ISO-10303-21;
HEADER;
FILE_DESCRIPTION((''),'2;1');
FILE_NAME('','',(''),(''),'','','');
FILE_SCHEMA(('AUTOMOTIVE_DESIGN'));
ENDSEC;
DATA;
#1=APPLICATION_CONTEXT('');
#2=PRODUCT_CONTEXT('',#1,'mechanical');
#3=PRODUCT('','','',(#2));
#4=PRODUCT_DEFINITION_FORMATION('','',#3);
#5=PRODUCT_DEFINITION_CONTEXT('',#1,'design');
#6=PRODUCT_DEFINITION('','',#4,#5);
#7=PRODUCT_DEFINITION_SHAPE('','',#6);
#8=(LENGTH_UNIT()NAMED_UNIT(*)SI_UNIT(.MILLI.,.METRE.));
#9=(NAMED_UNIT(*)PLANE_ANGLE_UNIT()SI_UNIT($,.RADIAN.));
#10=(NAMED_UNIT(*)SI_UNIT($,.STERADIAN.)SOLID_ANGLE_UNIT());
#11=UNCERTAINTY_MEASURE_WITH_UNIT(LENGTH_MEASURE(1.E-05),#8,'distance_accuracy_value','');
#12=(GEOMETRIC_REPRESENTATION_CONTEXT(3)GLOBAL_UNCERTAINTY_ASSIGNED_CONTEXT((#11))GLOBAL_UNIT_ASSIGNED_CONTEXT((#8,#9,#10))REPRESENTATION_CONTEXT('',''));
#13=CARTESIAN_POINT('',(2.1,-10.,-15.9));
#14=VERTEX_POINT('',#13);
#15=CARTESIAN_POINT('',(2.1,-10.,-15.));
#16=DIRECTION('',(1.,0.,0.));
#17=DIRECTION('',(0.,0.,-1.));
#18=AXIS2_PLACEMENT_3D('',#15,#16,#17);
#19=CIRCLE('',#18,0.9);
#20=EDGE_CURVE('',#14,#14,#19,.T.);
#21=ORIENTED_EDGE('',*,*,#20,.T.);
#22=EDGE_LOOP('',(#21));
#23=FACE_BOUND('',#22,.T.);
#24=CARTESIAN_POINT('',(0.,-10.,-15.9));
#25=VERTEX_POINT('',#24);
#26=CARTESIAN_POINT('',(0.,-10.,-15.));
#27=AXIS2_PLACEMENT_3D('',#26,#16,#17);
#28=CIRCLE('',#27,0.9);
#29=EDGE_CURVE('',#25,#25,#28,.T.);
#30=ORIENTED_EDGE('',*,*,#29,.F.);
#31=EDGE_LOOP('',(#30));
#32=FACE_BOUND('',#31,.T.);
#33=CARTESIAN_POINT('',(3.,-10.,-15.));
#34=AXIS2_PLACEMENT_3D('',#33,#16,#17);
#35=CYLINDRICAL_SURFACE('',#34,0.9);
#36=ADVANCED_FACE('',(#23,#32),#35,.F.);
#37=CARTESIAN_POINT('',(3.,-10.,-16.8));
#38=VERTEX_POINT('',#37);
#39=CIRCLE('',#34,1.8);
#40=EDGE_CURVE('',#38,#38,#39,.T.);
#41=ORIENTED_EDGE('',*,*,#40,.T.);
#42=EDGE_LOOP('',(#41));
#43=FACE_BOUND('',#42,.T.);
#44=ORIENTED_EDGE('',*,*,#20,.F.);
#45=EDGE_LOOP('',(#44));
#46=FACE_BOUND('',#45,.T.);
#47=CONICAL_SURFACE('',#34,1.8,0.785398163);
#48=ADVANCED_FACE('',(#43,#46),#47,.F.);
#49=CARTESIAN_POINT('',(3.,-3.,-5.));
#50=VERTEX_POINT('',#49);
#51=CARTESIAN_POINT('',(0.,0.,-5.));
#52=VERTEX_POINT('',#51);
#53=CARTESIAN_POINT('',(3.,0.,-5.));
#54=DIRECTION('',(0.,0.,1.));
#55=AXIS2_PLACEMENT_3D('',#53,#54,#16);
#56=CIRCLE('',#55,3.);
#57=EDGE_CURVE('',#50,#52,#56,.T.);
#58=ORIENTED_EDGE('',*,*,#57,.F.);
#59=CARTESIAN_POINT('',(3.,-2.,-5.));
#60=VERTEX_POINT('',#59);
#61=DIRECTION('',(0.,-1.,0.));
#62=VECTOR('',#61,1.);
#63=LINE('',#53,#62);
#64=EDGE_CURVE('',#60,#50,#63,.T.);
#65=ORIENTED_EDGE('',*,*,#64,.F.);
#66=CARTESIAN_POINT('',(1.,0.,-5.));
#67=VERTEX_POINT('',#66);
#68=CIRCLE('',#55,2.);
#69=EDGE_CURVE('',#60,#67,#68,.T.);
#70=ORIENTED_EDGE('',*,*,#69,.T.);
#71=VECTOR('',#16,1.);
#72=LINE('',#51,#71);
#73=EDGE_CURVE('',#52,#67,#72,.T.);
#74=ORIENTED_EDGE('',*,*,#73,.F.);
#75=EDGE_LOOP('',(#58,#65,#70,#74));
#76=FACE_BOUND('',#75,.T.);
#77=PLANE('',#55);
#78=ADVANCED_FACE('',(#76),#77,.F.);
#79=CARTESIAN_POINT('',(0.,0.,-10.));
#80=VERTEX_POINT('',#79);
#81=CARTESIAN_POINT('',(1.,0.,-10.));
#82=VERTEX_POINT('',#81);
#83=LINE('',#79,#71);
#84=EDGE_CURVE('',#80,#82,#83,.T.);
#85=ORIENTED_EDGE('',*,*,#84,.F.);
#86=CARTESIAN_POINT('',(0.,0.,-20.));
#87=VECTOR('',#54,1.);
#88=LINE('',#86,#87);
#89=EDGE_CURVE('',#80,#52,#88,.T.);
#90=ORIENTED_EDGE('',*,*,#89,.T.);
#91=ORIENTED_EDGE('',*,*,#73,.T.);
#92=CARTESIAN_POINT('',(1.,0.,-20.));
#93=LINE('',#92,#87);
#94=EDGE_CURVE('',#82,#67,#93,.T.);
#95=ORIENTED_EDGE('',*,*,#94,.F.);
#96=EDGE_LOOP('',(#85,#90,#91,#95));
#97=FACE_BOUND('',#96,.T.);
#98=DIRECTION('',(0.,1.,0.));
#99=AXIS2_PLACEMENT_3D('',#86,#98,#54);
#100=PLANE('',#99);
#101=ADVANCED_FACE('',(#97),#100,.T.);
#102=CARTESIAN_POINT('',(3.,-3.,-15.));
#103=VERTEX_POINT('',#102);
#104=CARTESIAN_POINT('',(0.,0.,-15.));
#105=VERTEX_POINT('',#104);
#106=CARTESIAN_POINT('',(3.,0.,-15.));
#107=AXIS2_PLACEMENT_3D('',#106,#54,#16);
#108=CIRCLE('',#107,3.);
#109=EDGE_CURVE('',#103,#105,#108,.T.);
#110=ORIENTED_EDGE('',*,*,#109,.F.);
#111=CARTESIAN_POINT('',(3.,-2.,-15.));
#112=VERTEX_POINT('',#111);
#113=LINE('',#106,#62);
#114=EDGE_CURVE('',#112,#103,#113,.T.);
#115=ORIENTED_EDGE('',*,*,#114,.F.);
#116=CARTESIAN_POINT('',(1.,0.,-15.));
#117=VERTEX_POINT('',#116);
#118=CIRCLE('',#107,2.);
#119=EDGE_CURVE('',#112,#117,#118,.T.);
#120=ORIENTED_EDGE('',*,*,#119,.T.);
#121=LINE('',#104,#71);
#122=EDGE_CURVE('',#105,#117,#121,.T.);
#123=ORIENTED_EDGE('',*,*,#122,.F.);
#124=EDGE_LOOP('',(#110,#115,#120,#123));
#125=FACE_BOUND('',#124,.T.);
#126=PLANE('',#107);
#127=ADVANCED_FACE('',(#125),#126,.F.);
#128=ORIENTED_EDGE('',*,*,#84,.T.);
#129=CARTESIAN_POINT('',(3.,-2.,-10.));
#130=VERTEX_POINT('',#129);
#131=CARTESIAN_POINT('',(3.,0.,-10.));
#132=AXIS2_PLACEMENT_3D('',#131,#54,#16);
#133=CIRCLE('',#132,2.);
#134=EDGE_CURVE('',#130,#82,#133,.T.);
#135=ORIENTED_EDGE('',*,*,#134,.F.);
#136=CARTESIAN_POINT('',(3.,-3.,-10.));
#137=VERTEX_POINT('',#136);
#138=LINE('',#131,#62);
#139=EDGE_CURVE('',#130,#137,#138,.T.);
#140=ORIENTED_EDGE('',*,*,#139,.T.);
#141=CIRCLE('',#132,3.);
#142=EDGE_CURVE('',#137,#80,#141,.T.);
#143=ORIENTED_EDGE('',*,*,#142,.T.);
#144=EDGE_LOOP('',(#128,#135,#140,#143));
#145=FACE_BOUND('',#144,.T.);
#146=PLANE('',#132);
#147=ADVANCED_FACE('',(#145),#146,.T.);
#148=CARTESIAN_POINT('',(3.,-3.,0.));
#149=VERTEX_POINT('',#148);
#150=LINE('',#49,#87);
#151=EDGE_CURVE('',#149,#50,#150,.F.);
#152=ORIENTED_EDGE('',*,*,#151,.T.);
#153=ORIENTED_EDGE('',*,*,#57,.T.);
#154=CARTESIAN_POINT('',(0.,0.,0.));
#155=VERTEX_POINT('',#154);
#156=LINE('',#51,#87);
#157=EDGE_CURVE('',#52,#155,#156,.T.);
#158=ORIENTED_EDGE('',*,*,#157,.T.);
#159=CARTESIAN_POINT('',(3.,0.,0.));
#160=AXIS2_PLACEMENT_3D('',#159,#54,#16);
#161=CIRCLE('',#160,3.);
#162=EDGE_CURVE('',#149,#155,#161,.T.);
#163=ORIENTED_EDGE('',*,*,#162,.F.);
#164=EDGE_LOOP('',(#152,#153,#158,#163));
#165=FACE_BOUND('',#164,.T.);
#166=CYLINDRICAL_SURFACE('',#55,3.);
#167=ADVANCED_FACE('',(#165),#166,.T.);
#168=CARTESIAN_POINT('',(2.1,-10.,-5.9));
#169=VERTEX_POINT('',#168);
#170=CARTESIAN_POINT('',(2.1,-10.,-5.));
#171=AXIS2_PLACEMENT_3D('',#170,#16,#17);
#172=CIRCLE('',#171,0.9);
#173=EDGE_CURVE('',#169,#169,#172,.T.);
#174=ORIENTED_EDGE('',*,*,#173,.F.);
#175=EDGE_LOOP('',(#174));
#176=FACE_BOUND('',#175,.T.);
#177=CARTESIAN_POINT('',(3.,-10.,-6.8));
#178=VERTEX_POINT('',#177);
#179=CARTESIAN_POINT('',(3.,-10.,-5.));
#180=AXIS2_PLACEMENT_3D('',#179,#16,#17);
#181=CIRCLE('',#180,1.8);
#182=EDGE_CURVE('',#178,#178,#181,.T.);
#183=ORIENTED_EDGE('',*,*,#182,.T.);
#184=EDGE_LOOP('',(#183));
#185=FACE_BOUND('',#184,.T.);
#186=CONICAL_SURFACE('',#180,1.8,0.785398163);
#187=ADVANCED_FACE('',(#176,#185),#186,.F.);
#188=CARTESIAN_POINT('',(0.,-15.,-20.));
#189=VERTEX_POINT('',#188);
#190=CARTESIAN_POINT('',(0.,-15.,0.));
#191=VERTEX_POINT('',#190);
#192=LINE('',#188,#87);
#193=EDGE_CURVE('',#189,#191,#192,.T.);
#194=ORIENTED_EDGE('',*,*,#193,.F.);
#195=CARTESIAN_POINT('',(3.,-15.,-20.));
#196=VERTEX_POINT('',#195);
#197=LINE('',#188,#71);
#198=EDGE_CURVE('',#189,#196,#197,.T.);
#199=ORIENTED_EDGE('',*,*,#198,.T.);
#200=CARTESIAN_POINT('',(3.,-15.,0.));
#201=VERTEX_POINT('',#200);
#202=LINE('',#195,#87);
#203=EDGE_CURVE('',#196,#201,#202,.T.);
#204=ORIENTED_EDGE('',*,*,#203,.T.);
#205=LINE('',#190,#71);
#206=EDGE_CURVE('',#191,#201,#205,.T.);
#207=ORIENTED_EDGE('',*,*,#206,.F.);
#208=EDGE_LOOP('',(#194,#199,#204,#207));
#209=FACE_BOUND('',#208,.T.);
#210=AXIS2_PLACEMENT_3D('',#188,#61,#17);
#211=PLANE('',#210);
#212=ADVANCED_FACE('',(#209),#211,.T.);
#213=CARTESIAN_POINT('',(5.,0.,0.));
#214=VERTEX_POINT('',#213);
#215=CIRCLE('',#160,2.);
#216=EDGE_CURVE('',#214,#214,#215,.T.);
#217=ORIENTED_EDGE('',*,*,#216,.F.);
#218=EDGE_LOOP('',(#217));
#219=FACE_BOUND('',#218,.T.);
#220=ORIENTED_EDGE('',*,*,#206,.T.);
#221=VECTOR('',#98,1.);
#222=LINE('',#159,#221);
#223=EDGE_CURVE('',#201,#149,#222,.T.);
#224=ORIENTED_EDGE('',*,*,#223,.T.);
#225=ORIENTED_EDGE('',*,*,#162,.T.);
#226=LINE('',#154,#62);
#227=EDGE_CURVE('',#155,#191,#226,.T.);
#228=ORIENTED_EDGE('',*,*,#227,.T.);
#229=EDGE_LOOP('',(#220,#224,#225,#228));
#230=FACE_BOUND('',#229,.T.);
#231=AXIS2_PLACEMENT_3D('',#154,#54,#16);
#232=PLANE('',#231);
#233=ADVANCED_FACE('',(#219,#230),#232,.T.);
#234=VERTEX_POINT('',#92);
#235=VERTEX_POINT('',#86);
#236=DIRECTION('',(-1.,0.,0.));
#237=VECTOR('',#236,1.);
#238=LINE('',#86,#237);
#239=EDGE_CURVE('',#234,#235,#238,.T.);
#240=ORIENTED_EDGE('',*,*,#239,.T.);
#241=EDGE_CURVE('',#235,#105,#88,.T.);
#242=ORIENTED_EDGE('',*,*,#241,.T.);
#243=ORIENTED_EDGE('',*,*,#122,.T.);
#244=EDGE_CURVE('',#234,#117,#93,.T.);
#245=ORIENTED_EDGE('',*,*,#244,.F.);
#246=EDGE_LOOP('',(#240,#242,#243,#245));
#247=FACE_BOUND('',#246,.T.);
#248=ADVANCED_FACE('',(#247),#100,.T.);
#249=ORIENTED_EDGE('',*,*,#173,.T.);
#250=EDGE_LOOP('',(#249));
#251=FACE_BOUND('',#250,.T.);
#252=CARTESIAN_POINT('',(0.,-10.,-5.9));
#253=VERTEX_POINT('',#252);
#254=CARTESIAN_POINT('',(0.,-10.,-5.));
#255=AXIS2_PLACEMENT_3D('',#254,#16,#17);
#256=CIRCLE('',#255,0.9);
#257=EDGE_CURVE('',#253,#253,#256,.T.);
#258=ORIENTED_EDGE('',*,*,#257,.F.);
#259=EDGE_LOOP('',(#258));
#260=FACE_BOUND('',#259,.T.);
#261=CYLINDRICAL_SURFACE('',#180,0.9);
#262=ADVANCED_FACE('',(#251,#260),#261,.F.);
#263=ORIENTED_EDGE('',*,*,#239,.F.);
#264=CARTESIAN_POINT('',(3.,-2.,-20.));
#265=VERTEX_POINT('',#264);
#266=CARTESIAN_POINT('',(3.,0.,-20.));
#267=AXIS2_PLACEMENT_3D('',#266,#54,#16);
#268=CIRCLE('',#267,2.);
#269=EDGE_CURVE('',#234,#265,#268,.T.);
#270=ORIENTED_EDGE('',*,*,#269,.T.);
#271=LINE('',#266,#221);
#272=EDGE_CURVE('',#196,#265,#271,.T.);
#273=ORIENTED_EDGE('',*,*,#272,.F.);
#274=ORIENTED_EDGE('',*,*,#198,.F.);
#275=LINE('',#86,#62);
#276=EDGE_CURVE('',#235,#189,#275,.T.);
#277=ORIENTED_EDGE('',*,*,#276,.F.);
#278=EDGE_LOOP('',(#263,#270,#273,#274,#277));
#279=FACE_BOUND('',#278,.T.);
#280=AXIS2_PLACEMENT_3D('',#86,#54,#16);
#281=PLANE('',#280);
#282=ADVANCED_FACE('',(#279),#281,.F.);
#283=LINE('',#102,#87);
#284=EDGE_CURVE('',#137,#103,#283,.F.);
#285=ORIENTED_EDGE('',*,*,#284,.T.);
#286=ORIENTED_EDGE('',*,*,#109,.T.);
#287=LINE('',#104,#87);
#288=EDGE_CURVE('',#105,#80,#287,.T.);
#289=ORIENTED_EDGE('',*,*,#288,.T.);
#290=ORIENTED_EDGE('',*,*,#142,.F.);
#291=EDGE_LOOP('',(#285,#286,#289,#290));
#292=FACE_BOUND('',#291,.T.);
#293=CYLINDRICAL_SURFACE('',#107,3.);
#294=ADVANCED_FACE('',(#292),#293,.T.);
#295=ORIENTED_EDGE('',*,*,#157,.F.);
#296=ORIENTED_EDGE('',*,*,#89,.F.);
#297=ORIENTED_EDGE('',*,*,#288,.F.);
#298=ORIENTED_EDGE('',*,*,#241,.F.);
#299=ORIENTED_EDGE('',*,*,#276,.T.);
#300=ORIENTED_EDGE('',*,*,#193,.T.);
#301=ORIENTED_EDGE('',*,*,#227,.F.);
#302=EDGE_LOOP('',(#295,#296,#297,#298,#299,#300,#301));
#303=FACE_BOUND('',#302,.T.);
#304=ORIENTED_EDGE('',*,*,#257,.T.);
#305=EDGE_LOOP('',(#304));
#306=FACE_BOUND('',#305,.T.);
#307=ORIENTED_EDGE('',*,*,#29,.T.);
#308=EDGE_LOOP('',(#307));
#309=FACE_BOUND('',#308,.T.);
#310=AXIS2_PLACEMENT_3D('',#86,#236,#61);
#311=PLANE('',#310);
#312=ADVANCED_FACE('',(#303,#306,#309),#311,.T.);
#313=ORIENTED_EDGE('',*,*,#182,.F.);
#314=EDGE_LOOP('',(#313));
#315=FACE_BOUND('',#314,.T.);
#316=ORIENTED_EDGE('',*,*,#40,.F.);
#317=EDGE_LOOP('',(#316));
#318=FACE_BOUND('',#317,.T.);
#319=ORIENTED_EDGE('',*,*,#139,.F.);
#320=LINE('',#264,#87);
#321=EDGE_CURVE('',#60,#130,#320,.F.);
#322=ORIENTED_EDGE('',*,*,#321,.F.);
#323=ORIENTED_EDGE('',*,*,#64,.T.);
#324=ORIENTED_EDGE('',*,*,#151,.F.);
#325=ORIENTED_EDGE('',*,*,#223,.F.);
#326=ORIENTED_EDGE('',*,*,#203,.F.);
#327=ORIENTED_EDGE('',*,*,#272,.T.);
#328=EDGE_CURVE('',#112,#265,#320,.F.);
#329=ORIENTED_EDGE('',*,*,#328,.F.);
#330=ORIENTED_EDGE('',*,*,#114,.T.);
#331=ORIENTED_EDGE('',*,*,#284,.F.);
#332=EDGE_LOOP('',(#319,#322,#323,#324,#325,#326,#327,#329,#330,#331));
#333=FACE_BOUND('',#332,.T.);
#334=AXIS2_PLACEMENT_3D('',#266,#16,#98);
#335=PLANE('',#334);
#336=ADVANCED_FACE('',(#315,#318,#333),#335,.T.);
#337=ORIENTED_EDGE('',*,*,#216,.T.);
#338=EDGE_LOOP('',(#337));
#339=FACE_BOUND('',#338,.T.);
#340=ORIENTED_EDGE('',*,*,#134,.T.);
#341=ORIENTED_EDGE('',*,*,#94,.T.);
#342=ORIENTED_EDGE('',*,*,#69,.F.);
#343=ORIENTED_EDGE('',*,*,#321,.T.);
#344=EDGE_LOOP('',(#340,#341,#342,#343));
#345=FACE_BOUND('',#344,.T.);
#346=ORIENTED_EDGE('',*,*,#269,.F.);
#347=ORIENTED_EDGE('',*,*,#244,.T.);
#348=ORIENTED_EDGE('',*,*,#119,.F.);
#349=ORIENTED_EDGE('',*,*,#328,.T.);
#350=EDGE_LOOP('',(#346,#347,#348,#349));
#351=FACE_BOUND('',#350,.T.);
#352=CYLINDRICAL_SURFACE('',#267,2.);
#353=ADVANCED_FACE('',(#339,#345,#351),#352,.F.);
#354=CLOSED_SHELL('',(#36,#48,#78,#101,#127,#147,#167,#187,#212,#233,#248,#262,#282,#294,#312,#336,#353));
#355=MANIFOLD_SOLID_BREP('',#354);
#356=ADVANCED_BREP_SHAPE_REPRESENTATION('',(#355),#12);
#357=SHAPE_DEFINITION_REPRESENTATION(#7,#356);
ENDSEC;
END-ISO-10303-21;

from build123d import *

# Parameters (mm, degrees)
SKETCH1_W                                            = 3
SKETCH1_H                                            = 15
BOSS_EXTRUDE1_DEPTH                                  = 20
SKETCH2_R                                            = 3
BOSS_EXTRUDE2_DEPTH                                  = 5
LPATTERN2_COUNT                                      = 2
LPATTERN2_PITCH                                      = 10
CUT_EXTRUDE1_DEPTH                                   = 26.709920264
CUT_EXTRUDE1_DEPTH_BACK                              = 26.709920264
SKETCH3_R                                            = 2
CSK_FOR_M1_6_COUNTERSUNK_FLAT_HEAD_SCREW_D           = 1.8
CSK_FOR_M1_6_COUNTERSUNK_FLAT_HEAD_SCREW_DEPTH       = 3
CSK_FOR_M1_6_COUNTERSUNK_FLAT_HEAD_SCREW_CSINK_D     = 3.6
CSK_FOR_M1_6_COUNTERSUNK_FLAT_HEAD_SCREW_CSINK_ANGLE = 90
CSK_FOR_M1_6_COUNTERSUNK_FLAT_HEAD_SCREW_TIP         = 0.540774557


with BuildPart() as part:
    # Sketch1 → Boss-Extrude1 (new body)
    with BuildSketch(Plane.XY):
        with Locations((1.5, -7.5)):
            Rectangle(SKETCH1_W, SKETCH1_H)
    extrude(amount=-BOSS_EXTRUDE1_DEPTH)

    # Sketch2 → Boss-Extrude2 (add)
    with BuildSketch(Plane.XY):
        with Locations((3, 0)):
            Circle(SKETCH2_R)
    boss_extrude2 = extrude(amount=-BOSS_EXTRUDE2_DEPTH)

    # LPattern2: Boss-Extrude2 ×2
    with Locations(*[(0, 0, -i * LPATTERN2_PITCH) for i in range(1, LPATTERN2_COUNT)]):
        add(boss_extrude2)

    # Sketch3 → Cut-Extrude1 (cut, two sides: drawn at the far end of the back side and taken through both)
    with BuildSketch(Plane.XY.offset(-CUT_EXTRUDE1_DEPTH_BACK)):
        with Locations((3, 0)):
            Circle(SKETCH3_R)
    extrude(amount=CUT_EXTRUDE1_DEPTH + CUT_EXTRUDE1_DEPTH_BACK, mode=Mode.SUBTRACT)

    # CSK for M1.6 Countersunk Flat Head Screw1
    with Locations(Plane(origin=(3, 0, 0), x_dir=(0, 0, -1), z_dir=(1, 0, 0))):
        with Locations((5, -10), (15, -10)):
            CounterSinkHole(CSK_FOR_M1_6_COUNTERSUNK_FLAT_HEAD_SCREW_D / 2, CSK_FOR_M1_6_COUNTERSUNK_FLAT_HEAD_SCREW_CSINK_D / 2, depth=CSK_FOR_M1_6_COUNTERSUNK_FLAT_HEAD_SCREW_DEPTH, counter_sink_angle=CSK_FOR_M1_6_COUNTERSUNK_FLAT_HEAD_SCREW_CSINK_ANGLE)
            with Locations((0, 0, -(CSK_FOR_M1_6_COUNTERSUNK_FLAT_HEAD_SCREW_DEPTH + CSK_FOR_M1_6_COUNTERSUNK_FLAT_HEAD_SCREW_TIP / 2))):  # 118° drill point
                Cone(0, CSK_FOR_M1_6_COUNTERSUNK_FLAT_HEAD_SCREW_D / 2, CSK_FOR_M1_6_COUNTERSUNK_FLAT_HEAD_SCREW_TIP, mode=Mode.SUBTRACT)


solid = part.part
